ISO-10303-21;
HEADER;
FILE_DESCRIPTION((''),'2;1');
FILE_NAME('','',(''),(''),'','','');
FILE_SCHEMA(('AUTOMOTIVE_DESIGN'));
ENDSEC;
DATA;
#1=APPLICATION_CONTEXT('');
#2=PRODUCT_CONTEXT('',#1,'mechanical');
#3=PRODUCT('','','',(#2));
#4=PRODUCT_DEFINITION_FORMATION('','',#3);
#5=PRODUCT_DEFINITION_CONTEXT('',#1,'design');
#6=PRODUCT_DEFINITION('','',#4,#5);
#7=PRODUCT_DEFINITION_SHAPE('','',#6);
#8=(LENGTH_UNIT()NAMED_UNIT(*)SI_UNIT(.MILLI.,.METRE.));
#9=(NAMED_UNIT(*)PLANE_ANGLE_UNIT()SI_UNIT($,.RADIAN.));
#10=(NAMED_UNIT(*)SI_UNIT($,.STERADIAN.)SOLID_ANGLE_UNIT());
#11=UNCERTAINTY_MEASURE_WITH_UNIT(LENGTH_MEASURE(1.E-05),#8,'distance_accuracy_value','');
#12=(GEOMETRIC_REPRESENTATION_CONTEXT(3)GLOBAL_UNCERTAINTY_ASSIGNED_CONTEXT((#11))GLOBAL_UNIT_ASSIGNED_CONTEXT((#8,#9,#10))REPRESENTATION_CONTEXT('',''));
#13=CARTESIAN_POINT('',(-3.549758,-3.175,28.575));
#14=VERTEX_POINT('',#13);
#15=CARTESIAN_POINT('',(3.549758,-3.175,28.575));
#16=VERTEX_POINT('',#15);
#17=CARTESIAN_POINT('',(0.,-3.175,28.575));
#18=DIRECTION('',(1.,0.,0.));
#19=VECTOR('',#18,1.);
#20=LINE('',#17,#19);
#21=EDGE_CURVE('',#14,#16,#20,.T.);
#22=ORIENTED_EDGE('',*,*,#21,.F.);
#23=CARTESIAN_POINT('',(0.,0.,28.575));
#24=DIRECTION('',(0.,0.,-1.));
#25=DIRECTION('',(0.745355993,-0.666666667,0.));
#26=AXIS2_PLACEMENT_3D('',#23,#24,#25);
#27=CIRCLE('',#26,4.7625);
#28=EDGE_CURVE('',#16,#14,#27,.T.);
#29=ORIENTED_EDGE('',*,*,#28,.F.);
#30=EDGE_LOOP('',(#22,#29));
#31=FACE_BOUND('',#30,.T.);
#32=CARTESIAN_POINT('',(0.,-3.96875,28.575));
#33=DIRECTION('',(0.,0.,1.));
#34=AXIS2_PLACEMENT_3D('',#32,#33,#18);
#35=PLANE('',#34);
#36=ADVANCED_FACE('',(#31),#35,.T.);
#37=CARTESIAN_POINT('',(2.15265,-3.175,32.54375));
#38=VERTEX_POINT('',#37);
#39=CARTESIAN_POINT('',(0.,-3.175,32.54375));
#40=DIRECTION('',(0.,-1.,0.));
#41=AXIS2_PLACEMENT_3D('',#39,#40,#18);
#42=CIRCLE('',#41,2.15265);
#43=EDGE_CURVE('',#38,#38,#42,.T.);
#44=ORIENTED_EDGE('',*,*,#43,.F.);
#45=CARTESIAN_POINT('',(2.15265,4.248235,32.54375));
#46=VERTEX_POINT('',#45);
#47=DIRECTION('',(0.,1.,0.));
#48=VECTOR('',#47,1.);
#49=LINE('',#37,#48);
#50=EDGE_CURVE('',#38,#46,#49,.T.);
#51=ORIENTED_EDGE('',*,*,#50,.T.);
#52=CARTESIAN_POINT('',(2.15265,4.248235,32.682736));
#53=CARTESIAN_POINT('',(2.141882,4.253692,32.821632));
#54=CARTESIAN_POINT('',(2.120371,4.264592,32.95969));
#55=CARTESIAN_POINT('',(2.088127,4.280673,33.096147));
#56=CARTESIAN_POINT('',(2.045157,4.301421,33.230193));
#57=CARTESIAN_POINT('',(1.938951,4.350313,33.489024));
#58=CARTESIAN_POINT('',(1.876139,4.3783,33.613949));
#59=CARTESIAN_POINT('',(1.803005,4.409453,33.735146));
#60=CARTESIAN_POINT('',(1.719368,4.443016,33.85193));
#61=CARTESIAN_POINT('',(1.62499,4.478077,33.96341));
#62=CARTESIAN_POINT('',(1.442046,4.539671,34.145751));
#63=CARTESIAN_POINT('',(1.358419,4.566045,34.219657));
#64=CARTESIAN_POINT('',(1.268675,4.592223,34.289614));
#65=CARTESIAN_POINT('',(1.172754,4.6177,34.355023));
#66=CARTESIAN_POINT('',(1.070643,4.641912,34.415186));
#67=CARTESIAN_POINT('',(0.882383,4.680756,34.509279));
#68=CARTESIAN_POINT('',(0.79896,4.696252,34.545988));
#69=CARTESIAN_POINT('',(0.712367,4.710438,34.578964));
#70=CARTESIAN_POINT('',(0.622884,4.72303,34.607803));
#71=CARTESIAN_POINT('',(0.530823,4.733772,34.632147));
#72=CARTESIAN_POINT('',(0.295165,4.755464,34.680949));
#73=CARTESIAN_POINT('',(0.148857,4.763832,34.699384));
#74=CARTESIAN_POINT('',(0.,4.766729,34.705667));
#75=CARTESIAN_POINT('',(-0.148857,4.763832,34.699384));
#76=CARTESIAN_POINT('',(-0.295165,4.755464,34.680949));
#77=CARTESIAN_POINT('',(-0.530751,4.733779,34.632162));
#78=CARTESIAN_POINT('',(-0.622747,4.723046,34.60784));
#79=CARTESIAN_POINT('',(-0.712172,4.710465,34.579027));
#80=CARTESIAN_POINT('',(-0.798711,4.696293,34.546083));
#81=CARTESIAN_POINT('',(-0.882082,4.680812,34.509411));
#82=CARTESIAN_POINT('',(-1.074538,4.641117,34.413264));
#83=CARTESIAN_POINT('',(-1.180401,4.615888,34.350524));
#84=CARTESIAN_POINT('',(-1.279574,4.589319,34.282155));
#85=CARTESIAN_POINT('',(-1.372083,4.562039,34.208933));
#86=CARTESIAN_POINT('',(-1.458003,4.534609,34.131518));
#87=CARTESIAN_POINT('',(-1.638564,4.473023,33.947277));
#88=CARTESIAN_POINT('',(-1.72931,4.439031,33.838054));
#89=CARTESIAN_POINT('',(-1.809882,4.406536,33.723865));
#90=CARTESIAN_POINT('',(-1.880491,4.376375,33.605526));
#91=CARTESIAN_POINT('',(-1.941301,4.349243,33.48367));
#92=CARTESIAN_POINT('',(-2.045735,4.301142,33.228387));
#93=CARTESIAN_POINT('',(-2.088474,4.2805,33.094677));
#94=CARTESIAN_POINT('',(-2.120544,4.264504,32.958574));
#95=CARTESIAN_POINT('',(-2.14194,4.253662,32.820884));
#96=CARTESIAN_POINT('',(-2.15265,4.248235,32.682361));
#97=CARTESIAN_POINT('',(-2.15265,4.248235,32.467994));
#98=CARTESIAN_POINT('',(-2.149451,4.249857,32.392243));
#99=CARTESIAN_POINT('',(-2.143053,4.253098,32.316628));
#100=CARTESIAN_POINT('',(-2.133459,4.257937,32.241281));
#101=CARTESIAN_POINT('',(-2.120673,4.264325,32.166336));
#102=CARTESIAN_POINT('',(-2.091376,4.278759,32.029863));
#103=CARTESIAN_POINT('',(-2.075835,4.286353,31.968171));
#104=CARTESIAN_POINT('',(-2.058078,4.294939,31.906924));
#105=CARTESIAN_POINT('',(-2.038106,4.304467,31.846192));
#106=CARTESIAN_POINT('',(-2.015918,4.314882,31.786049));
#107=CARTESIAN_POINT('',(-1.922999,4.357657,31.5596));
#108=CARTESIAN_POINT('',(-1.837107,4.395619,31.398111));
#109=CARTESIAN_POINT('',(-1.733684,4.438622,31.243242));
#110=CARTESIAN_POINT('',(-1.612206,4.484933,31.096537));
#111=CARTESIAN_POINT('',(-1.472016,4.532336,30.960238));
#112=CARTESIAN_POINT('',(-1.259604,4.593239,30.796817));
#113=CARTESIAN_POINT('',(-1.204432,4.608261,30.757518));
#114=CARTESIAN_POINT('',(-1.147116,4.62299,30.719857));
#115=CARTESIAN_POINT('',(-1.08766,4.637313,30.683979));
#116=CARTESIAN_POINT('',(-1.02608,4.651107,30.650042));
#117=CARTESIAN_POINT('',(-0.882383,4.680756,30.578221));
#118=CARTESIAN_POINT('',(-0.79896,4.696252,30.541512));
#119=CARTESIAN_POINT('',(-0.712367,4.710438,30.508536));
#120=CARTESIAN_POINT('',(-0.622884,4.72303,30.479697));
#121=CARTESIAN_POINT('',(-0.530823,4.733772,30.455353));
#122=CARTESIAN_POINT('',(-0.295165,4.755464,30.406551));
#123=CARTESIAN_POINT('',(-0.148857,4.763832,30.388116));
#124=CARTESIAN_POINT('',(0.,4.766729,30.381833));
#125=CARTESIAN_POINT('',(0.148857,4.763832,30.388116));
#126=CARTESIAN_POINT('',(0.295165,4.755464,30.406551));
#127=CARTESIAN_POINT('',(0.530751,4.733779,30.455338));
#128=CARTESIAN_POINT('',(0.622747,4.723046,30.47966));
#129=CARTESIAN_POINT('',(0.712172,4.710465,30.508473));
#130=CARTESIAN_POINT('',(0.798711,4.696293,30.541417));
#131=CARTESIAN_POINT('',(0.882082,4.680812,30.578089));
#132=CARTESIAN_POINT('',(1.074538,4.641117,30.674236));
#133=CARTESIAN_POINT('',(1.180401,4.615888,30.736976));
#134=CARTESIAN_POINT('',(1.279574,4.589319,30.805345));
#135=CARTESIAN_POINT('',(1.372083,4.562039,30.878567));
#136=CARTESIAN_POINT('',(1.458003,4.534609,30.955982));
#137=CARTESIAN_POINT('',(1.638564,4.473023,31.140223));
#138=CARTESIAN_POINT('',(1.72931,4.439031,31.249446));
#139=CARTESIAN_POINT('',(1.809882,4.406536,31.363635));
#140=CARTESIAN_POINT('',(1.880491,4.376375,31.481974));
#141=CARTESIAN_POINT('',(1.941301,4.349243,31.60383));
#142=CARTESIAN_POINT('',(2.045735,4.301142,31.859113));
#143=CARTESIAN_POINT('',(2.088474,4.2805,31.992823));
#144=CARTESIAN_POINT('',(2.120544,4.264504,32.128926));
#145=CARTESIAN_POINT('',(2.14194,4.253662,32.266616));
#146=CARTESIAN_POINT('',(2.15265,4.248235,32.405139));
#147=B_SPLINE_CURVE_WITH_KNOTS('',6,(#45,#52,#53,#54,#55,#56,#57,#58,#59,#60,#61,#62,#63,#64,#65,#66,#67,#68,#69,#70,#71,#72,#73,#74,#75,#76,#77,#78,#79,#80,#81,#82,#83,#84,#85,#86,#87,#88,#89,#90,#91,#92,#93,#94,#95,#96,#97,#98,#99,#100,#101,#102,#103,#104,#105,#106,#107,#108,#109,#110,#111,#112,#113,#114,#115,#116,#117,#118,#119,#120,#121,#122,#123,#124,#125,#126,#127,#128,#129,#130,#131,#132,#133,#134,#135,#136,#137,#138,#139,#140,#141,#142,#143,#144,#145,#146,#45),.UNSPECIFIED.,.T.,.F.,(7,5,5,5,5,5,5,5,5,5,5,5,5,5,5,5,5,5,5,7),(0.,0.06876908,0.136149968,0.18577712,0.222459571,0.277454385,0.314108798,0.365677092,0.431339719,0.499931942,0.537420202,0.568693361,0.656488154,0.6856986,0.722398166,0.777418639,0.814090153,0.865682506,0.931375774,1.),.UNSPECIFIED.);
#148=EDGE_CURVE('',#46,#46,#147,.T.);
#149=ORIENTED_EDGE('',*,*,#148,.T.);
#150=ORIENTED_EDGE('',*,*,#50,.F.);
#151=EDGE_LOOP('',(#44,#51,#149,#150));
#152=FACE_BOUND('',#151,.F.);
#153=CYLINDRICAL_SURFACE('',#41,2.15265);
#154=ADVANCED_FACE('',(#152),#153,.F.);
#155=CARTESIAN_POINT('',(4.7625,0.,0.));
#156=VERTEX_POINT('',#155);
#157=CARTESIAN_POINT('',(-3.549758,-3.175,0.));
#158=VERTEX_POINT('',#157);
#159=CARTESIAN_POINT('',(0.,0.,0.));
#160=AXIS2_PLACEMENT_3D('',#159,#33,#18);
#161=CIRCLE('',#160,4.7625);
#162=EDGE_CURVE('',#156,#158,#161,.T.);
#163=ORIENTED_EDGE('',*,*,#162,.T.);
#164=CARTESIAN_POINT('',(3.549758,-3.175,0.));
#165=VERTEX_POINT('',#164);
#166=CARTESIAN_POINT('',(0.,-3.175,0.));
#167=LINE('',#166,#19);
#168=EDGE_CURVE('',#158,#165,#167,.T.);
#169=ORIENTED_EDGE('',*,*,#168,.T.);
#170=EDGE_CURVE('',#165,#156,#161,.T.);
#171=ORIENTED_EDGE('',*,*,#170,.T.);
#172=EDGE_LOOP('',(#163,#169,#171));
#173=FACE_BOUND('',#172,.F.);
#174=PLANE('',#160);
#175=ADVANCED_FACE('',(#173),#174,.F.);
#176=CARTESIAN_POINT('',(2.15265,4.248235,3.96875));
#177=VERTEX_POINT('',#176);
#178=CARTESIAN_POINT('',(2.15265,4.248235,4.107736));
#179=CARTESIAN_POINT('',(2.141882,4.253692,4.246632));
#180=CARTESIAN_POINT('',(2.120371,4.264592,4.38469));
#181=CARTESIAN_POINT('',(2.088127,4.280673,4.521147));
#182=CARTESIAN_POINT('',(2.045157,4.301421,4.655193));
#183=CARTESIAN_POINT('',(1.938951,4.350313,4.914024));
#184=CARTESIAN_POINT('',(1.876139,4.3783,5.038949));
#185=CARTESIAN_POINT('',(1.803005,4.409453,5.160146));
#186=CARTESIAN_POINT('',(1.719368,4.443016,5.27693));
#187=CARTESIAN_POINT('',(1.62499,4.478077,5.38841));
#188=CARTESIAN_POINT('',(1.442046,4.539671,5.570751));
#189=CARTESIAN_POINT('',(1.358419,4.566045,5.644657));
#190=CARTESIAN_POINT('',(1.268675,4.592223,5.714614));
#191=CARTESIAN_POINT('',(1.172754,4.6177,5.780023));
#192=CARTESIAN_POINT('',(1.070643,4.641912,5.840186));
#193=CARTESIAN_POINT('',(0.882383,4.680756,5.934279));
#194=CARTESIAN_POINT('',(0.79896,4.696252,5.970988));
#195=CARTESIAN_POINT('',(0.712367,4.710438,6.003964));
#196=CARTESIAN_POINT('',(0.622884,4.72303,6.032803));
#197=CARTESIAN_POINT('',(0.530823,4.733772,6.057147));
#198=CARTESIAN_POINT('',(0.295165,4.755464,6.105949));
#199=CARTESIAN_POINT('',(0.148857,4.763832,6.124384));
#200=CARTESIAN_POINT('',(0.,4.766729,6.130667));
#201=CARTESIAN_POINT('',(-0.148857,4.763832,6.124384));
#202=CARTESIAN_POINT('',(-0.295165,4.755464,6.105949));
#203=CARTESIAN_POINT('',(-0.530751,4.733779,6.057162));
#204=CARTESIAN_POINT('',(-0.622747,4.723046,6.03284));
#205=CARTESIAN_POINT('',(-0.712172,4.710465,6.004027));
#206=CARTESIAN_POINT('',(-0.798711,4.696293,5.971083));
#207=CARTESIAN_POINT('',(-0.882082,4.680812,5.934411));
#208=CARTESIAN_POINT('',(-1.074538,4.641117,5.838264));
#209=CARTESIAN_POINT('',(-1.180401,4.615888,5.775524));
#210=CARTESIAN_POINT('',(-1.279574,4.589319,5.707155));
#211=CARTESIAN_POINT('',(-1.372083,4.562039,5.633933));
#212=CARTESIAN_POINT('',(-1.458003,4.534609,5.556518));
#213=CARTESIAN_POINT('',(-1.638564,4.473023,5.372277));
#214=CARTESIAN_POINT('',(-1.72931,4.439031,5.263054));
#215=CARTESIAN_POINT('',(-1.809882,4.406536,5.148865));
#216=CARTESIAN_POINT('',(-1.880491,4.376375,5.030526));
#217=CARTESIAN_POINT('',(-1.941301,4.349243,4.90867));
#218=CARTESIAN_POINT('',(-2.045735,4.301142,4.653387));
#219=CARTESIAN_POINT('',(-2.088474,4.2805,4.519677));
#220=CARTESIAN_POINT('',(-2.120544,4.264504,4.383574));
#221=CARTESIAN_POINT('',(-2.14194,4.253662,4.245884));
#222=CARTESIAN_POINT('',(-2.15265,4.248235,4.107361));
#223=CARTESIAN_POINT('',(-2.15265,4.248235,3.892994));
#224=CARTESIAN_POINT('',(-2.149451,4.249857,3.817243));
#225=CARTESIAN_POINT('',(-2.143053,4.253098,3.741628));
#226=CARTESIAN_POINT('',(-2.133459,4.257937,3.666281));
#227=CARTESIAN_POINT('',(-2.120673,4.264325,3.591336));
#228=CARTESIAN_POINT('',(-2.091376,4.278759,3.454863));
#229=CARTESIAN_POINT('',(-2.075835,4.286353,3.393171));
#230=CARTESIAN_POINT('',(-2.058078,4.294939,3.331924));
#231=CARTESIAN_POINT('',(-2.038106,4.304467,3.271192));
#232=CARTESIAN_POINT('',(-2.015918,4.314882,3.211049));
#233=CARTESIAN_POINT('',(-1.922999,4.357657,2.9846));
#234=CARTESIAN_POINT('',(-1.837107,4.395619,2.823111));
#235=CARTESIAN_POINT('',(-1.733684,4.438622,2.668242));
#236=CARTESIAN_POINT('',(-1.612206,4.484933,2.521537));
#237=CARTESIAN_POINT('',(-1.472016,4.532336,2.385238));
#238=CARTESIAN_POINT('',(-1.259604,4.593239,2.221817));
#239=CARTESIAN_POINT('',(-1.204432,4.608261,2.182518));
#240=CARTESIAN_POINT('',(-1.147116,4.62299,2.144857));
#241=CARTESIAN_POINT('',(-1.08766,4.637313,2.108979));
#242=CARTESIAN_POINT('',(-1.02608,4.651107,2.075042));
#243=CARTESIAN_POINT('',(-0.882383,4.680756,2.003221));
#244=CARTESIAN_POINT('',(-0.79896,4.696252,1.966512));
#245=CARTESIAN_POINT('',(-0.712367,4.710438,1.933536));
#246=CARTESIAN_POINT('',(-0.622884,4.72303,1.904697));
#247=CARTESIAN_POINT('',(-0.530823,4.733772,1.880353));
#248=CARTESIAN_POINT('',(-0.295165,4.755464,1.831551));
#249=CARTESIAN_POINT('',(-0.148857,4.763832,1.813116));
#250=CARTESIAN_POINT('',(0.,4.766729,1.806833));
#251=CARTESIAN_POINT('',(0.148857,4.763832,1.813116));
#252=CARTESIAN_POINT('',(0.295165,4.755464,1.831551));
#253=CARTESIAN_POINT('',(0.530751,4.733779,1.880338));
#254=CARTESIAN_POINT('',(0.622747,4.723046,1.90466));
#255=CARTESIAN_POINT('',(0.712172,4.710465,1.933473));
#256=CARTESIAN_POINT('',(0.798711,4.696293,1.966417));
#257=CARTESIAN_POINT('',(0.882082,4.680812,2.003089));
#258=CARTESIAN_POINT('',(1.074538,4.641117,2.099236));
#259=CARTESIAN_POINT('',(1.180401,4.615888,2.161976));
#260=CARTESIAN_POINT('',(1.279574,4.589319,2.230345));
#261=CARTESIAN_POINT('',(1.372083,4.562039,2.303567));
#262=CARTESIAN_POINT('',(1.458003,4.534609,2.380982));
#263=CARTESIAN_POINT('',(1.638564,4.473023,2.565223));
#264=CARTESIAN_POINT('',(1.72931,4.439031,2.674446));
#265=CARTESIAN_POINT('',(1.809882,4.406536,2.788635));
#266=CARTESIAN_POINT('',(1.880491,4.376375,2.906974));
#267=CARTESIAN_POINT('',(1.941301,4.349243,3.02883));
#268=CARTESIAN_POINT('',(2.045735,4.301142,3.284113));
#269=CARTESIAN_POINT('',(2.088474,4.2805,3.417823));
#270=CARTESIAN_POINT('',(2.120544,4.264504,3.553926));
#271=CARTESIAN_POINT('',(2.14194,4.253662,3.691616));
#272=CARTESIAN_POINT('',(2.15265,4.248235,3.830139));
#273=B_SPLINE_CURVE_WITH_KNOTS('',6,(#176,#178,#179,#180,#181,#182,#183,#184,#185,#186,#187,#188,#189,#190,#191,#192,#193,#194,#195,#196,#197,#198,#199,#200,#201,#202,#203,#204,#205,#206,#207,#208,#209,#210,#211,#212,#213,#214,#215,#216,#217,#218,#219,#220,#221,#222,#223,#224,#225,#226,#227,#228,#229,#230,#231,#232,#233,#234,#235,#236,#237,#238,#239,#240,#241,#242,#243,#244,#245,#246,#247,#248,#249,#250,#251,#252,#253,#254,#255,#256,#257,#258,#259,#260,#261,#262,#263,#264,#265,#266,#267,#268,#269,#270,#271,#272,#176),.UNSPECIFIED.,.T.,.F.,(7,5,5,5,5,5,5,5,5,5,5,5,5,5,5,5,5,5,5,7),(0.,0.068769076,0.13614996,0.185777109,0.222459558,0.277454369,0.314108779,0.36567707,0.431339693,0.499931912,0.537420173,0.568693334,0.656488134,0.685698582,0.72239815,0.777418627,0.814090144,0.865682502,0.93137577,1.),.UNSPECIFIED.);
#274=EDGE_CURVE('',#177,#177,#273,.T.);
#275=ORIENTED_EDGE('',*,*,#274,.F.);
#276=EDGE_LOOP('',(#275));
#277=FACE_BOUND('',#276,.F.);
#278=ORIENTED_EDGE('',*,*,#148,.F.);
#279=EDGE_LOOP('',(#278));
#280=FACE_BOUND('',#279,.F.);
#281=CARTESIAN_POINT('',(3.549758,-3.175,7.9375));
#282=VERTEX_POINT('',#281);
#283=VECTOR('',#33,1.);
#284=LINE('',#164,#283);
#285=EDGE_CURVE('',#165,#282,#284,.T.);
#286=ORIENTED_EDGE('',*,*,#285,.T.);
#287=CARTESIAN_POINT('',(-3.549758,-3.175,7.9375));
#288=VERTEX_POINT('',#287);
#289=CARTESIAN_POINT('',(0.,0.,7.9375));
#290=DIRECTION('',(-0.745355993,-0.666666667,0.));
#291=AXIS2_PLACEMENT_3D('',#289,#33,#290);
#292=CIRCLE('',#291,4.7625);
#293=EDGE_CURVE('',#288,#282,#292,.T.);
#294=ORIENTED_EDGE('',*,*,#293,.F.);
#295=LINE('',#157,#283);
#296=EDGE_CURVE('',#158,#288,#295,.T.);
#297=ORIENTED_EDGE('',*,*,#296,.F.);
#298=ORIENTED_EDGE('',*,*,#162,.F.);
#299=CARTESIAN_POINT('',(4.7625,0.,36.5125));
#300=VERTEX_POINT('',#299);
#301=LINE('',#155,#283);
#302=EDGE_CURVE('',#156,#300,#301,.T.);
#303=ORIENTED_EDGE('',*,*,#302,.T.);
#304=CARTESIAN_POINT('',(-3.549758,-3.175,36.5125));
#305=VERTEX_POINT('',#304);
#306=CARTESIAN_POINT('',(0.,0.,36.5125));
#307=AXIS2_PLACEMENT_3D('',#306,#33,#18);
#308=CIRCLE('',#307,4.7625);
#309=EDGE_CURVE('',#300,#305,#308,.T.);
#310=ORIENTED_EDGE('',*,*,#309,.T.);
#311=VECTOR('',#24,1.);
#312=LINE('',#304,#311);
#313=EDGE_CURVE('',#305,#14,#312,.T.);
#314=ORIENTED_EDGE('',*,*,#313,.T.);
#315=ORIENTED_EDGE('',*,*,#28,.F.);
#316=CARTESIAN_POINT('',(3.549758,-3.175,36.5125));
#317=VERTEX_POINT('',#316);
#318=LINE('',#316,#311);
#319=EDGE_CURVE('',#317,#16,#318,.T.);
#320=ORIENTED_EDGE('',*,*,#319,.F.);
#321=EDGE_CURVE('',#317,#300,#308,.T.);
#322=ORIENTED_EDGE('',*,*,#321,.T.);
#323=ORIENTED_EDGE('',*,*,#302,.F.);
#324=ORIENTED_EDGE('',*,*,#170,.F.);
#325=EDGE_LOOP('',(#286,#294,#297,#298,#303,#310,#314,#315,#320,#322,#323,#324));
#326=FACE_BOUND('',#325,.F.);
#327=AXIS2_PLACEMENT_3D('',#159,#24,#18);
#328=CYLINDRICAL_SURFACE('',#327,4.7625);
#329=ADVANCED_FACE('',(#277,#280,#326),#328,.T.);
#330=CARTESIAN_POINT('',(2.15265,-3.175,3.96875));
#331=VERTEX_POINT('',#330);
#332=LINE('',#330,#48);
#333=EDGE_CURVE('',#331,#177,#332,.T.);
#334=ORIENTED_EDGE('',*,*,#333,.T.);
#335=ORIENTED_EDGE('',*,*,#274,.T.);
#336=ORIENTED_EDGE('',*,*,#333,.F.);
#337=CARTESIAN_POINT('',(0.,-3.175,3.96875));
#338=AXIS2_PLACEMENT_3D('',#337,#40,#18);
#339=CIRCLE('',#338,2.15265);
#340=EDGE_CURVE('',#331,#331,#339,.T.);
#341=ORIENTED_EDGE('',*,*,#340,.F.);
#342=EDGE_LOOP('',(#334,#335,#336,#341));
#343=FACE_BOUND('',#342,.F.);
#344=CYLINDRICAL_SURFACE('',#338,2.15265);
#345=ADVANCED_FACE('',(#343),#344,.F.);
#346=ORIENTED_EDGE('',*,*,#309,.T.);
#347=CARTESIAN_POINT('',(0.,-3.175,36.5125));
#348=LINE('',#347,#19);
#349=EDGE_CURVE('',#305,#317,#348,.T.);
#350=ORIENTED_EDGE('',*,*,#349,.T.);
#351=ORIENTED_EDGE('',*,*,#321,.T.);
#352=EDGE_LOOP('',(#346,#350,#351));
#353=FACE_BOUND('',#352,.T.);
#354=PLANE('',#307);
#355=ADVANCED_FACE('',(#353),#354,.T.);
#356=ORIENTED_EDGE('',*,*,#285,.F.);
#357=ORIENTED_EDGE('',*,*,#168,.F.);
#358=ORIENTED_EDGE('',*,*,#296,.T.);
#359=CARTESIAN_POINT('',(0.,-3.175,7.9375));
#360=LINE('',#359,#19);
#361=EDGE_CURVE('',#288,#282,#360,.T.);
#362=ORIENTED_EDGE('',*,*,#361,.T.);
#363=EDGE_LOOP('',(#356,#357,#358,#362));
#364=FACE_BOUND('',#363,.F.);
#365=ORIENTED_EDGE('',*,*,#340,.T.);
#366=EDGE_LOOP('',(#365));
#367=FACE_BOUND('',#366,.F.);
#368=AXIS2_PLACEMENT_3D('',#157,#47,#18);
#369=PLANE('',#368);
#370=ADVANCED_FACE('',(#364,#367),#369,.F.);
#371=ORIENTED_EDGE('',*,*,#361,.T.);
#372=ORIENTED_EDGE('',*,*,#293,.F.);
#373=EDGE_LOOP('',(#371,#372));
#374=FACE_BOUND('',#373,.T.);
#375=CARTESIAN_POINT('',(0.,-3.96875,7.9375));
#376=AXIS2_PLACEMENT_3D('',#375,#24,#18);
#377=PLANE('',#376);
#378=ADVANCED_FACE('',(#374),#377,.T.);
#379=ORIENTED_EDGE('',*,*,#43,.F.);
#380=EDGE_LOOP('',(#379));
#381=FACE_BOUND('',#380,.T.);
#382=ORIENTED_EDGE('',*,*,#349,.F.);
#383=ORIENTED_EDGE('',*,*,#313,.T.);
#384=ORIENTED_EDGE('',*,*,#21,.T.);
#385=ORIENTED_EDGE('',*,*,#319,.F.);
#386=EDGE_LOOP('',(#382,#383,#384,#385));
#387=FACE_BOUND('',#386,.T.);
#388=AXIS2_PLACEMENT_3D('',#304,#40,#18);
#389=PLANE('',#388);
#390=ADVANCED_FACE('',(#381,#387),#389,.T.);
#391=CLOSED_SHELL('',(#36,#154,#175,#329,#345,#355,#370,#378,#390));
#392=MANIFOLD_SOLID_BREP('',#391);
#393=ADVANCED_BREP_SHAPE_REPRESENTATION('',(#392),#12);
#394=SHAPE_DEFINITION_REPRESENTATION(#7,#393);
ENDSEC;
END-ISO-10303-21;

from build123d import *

# Parameters (mm, degrees)
F0_R     = 4.7625
F1_DEPTH = 36.5125
F2_W     = 7.0995158286
F2_H     = 1.5875
F3_DEPTH = 7.9375
F4_W     = 7.0995158286
F4_H     = 1.5875
F5_DEPTH = 7.9375
F6_R     = 2.15265
F7_DEPTH = 8.9375001002


with BuildPart() as f1:
    # F0 (on Top) → F1 (new body)
    with BuildSketch(Plane.XY):
        Circle(F0_R)
    extrude(amount=F1_DEPTH)

    # F2 (on face) → F3 (cut)
    with BuildSketch(Plane.XY.offset(36.5125)):
        with Locations((0, -3.96875)):
            Rectangle(F2_W, F2_H)
    extrude(amount=-F3_DEPTH, mode=Mode.SUBTRACT)

    # F4 (on face) → F5 (cut)
    with BuildSketch(Plane(origin=(0, 0, 0), x_dir=(1, 0, 0), z_dir=(0, 0, -1))):
        with Locations((0, 3.96875)):
            Rectangle(F4_W, F4_H)
    extrude(amount=-F5_DEPTH, mode=Mode.SUBTRACT)

    # F6 (on face) → F7 (cut, up to face)
    with BuildSketch(Plane.XZ.offset(3.175)):
        with Locations((0, 32.54375)):
            Circle(F6_R)
        with Locations((0, 3.96875)):
            Circle(F6_R)
    extrude(amount=-F7_DEPTH, mode=Mode.SUBTRACT)


solid = f1.part
